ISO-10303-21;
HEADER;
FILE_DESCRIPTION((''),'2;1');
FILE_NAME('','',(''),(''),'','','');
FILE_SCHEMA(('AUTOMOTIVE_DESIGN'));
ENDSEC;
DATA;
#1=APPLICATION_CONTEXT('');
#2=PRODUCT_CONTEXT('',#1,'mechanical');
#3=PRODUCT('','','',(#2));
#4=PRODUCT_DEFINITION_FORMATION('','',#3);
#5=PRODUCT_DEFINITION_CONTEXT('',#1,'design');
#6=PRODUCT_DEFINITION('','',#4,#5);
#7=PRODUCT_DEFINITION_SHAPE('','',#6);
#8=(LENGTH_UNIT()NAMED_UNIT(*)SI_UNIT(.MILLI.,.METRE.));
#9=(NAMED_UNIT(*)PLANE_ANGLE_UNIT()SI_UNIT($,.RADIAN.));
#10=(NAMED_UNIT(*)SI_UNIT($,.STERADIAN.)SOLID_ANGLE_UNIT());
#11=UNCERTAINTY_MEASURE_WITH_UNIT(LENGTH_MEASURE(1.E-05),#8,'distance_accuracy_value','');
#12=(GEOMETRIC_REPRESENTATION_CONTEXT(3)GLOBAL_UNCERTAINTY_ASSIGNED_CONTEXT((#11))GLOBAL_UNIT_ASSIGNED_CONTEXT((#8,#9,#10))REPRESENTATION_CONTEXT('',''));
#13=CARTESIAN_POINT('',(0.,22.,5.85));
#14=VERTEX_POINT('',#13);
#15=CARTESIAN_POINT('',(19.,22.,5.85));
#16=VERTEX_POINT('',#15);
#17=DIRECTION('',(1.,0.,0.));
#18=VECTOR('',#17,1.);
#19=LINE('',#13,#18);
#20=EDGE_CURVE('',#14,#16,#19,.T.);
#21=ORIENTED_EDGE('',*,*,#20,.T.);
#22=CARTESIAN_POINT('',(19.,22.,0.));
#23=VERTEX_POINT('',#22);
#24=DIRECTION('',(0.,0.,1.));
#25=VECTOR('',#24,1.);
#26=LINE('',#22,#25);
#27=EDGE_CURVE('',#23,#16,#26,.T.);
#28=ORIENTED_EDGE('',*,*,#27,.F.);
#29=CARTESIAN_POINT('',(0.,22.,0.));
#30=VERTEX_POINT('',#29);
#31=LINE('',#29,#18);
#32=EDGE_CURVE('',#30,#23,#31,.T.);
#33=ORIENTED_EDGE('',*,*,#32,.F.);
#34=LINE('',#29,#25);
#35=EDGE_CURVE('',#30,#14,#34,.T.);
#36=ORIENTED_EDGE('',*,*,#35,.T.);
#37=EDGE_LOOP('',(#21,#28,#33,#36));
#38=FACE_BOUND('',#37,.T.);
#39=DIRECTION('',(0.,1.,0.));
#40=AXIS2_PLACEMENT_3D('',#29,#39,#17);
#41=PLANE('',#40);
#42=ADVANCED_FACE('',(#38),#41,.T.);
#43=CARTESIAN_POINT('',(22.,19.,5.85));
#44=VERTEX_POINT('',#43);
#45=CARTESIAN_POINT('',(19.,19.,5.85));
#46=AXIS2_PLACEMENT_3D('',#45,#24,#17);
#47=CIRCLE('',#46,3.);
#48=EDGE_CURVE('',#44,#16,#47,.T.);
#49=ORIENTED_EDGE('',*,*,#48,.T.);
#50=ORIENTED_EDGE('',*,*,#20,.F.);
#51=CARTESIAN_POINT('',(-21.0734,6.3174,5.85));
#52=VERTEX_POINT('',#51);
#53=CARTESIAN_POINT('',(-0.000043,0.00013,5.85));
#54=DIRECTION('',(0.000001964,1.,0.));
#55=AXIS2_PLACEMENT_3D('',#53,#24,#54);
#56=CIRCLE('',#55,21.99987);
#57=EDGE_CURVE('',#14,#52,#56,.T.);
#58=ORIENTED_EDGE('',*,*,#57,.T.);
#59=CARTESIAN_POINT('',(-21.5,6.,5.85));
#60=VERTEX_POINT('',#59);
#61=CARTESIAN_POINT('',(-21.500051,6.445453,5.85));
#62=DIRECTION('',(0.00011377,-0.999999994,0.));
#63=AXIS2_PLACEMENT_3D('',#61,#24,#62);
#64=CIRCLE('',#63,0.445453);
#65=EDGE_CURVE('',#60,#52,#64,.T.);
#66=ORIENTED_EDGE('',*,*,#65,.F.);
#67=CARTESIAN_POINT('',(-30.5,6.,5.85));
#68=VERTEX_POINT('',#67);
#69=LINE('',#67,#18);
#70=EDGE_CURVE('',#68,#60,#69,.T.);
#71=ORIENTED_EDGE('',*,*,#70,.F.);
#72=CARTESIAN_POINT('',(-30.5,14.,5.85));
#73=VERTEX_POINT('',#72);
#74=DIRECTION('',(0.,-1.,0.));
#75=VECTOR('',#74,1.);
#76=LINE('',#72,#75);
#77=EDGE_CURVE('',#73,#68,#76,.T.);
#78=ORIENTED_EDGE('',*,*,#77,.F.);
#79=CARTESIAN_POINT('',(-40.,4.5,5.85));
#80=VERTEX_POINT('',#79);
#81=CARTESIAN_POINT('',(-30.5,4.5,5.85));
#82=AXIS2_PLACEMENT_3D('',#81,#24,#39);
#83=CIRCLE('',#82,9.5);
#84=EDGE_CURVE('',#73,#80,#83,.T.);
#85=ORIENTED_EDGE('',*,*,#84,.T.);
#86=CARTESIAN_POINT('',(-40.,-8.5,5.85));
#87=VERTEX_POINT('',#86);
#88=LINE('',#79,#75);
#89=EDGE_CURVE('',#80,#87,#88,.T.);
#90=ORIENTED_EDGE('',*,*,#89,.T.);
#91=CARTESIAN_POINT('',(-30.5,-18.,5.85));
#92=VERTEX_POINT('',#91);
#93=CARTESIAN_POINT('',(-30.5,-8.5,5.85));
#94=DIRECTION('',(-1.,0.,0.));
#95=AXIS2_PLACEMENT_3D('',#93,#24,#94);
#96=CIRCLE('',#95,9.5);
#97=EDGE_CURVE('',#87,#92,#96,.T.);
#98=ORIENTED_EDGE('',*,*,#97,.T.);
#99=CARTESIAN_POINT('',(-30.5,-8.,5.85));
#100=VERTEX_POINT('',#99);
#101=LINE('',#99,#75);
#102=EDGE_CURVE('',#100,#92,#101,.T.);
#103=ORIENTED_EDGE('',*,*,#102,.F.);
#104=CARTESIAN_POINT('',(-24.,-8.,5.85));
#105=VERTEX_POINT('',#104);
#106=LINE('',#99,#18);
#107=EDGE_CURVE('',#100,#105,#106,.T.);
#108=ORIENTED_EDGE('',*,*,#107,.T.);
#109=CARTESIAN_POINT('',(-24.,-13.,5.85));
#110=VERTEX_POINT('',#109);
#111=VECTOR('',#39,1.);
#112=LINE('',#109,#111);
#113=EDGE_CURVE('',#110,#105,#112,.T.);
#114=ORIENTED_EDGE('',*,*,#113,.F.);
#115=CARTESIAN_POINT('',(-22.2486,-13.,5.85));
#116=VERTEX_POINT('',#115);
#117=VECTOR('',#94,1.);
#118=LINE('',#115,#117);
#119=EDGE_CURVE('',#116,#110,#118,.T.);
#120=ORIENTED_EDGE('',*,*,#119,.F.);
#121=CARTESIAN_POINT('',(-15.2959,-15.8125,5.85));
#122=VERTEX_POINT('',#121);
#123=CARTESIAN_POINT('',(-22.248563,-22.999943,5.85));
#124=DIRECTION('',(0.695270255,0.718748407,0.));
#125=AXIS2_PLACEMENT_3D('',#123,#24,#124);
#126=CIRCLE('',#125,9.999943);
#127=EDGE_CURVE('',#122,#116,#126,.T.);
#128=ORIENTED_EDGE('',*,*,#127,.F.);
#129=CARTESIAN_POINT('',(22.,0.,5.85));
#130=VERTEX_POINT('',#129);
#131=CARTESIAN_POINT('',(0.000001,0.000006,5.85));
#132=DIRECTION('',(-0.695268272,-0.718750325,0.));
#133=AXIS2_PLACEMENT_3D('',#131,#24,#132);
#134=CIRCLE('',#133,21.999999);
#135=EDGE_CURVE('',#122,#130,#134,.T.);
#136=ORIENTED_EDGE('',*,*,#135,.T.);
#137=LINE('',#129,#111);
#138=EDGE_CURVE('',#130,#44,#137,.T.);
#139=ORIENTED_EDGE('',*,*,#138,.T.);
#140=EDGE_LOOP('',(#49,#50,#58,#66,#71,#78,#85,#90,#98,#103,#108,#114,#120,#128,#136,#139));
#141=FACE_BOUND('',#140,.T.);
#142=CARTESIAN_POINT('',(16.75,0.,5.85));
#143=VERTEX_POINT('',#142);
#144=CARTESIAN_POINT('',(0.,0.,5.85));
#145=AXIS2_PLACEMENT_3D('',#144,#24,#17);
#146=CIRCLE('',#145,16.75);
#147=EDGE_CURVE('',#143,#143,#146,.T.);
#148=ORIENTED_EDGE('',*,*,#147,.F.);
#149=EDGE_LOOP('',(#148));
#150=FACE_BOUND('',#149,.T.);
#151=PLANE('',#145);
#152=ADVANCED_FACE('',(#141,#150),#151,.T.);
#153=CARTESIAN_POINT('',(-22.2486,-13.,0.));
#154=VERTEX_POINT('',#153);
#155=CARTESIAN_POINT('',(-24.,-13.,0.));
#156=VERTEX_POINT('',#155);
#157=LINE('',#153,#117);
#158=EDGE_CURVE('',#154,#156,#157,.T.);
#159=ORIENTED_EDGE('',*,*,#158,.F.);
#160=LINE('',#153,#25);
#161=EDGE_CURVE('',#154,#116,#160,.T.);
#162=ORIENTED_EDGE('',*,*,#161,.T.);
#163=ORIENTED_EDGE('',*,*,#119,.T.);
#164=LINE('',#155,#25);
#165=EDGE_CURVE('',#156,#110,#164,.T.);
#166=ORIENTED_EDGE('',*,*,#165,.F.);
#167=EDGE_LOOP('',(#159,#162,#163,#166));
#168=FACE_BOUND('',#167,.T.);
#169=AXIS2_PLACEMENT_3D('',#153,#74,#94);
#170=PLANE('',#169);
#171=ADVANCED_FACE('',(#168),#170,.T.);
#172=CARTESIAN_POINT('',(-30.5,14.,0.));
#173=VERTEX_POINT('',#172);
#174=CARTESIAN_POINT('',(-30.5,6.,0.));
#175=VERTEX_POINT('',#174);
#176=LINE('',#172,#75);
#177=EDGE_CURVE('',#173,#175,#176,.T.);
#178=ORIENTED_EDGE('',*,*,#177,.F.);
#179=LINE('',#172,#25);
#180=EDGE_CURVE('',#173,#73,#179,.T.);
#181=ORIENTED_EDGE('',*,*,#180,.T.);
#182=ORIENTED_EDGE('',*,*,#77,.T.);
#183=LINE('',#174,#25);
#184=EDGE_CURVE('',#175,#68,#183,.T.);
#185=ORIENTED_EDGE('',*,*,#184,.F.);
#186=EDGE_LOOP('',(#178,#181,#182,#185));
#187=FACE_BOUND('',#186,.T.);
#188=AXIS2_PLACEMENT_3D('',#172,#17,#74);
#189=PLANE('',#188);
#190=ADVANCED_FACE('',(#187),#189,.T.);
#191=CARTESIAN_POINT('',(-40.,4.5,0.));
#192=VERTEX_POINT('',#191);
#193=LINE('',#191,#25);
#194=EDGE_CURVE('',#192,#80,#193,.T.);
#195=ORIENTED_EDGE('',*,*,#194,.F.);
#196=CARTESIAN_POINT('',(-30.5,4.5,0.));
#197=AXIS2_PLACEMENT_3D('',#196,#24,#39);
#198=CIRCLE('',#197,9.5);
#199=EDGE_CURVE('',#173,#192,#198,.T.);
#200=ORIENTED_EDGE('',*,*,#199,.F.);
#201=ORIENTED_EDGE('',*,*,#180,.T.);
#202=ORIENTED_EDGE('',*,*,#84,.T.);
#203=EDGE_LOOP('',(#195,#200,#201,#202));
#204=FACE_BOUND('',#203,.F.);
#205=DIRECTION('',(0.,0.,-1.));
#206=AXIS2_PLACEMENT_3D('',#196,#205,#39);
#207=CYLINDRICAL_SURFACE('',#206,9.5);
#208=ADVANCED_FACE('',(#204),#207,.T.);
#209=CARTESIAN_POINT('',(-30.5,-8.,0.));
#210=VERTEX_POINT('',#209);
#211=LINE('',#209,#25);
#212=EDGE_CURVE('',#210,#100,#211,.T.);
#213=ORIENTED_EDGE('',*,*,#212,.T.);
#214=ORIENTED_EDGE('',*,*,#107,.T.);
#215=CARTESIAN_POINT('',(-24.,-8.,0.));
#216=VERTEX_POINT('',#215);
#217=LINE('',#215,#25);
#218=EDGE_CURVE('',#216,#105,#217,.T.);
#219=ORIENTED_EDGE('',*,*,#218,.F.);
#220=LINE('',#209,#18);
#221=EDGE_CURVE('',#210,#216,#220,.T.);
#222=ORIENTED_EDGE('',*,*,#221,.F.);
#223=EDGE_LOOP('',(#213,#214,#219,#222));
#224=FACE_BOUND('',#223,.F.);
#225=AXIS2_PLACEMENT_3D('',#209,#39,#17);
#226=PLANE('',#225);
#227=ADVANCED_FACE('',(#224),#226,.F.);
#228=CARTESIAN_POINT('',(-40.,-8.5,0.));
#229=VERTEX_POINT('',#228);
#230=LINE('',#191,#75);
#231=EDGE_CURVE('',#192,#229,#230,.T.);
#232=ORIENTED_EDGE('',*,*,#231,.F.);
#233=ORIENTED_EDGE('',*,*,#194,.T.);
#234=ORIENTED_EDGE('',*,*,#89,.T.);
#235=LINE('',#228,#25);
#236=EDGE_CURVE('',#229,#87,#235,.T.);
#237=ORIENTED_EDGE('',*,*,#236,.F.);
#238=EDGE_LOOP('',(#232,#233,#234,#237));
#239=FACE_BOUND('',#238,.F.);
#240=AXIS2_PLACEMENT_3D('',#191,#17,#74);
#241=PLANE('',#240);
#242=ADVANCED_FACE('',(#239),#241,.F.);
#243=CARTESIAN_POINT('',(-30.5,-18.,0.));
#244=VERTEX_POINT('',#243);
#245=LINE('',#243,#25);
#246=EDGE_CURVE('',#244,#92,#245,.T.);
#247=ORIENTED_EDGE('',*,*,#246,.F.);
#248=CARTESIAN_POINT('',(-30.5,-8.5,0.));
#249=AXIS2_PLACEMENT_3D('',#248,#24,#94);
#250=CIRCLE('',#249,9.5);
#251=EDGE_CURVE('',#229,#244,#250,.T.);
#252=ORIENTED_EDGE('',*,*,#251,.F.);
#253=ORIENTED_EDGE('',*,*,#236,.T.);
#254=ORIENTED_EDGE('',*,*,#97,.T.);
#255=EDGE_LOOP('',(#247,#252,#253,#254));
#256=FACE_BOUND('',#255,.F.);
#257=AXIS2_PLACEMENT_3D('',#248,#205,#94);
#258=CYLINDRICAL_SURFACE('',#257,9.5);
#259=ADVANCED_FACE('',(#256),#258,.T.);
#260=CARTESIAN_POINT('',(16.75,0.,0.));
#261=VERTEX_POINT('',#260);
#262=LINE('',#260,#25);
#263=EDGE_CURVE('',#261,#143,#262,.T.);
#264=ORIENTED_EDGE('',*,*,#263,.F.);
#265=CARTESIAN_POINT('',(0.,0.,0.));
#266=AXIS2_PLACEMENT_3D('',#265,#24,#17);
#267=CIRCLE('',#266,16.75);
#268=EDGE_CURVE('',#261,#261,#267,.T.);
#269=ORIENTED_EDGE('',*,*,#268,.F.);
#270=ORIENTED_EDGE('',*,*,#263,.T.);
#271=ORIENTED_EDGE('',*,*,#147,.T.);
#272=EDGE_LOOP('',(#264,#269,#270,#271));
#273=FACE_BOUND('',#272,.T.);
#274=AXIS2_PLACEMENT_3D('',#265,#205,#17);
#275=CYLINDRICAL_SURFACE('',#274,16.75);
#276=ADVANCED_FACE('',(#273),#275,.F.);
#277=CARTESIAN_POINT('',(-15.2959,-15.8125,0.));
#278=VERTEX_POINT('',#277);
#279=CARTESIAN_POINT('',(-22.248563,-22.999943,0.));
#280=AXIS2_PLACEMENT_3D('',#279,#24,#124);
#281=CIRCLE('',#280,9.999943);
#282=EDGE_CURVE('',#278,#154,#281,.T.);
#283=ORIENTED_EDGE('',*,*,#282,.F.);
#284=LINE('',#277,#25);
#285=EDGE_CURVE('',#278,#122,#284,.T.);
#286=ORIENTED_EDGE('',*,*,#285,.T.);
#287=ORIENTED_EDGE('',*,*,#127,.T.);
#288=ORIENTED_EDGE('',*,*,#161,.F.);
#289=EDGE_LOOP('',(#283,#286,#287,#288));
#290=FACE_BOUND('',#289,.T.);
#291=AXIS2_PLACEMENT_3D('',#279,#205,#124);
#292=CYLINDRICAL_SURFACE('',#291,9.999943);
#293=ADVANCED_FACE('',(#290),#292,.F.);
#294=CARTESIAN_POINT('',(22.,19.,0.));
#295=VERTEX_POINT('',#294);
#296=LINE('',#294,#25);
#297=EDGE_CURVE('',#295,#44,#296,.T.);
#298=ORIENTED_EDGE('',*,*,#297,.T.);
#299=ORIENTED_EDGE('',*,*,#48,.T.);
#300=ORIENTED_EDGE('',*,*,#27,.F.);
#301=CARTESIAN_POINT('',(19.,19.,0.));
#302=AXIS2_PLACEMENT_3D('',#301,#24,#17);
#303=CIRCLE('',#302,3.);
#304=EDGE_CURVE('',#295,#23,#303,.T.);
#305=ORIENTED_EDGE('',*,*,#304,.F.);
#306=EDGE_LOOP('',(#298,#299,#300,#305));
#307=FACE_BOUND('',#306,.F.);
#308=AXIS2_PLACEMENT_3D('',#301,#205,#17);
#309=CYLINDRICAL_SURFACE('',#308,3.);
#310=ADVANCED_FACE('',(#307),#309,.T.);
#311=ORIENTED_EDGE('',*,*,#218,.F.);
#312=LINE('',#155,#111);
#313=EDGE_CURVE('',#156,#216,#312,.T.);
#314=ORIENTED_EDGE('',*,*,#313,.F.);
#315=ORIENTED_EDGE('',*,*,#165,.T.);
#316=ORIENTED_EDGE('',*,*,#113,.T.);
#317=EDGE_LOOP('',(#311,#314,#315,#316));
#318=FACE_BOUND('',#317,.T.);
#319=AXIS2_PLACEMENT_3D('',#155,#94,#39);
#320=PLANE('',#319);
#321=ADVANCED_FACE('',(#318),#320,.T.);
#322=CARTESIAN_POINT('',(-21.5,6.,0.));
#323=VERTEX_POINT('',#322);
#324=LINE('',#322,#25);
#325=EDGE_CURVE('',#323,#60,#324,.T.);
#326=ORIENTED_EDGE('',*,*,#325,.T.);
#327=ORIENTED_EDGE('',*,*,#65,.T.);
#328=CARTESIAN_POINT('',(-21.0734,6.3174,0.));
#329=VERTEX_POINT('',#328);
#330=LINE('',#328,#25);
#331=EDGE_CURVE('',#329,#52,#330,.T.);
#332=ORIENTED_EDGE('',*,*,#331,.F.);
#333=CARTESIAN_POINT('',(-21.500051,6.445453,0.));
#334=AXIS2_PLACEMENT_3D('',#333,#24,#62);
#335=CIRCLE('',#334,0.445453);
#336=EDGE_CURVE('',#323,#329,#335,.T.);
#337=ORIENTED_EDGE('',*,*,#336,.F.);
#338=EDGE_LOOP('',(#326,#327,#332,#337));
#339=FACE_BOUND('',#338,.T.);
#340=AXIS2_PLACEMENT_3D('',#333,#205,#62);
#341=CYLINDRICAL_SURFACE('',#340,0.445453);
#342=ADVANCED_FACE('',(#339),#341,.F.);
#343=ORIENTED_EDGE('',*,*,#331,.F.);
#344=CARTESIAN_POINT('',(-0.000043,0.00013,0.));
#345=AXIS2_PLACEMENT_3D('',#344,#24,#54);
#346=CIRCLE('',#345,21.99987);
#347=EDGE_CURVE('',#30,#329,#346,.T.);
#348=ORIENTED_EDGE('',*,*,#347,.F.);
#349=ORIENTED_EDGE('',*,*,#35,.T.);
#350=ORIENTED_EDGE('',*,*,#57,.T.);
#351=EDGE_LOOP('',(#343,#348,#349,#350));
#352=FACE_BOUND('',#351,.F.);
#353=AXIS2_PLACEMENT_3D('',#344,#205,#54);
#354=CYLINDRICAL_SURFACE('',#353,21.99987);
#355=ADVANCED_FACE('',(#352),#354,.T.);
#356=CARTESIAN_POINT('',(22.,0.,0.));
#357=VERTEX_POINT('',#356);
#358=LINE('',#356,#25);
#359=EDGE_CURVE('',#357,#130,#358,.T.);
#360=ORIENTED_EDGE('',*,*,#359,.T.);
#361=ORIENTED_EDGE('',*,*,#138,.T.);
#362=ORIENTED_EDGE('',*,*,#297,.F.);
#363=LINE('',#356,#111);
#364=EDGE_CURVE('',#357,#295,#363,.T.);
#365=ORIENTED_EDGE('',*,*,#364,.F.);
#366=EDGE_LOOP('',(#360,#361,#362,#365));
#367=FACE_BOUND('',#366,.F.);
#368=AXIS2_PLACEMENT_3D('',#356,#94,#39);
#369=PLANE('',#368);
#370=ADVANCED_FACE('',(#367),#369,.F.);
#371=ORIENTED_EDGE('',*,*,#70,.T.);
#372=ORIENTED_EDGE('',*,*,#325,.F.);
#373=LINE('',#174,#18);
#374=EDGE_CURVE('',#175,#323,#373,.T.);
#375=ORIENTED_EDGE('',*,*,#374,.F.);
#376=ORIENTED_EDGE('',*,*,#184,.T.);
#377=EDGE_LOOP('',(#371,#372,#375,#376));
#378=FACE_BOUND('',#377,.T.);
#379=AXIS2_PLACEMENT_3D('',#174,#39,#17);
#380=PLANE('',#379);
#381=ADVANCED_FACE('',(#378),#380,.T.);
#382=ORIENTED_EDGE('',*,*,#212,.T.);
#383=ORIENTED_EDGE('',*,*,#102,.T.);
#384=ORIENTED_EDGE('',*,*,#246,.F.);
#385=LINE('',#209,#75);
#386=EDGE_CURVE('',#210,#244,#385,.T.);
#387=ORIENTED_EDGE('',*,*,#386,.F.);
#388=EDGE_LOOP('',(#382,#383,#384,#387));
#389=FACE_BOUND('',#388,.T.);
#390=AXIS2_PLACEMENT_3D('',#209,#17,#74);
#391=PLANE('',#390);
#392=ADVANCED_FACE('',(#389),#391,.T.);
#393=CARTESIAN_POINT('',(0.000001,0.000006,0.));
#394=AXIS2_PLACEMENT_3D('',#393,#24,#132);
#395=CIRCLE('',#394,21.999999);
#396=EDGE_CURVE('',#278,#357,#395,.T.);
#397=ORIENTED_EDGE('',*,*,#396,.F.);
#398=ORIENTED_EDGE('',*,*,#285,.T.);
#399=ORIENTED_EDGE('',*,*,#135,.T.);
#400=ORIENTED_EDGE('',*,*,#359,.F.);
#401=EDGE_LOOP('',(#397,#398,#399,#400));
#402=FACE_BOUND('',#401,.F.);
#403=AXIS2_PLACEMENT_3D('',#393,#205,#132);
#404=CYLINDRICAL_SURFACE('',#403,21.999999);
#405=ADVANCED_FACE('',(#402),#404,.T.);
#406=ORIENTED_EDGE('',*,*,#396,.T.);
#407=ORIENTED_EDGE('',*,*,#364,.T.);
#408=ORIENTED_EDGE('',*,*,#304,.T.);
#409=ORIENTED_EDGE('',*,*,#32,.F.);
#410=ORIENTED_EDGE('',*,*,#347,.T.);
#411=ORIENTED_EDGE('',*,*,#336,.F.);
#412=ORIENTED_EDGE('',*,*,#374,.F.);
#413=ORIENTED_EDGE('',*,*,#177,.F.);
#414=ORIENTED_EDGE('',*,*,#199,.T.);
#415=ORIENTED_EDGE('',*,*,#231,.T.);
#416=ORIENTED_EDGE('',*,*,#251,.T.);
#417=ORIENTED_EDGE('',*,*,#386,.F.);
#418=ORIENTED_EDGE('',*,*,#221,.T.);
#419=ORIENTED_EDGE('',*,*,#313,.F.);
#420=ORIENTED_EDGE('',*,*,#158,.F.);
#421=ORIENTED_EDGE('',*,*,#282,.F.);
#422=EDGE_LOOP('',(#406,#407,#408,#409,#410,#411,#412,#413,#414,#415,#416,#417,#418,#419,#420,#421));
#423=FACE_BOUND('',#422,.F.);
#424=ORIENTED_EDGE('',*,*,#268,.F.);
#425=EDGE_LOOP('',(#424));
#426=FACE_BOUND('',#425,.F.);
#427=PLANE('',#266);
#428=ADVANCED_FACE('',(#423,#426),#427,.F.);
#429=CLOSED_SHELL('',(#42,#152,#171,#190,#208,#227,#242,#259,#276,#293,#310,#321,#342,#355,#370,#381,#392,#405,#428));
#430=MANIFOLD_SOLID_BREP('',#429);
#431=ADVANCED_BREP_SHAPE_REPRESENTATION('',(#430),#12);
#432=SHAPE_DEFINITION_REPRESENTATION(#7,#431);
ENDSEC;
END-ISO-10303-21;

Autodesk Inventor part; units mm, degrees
ref_plane "YZ Plane" through (0, 0, 0) normal (1, 0, 0) x (0, 1, 0)
ref_plane "XZ Plane" through (0, 0, 0) normal (0, 1, 0) x (-1, 0, 0)
ref_plane "XY Plane" through (0, 0, 0) normal (0, 0, 1) x (1, 0, 0)
sketch "Sketch1" plane through (0, 0, 0) normal (0, 0, 1) x (1, 0, 0)
  circle A0 centre (0, 0) radius 16.75
  line L0 (0, 0) -> (-16.1552, 0) construction
  line L1 (-15.7399, -5.7288) -> (0, 0) construction
  line L2 (-14.0236, -9.1597) -> (0, 0) construction
  line L3 (-40, 4.5) -> (-40, -8.5)
  line L4 (-30.5, 14) -> (-30.5, 6)
  line L5 (-30.5, 6) -> (-21.5, 6)
  line L6 (-30.5, -8) -> (-24, -8)
  line L7 (-30.5, -8) -> (-30.5, -18)
  arc A1 (-15.2959, -15.8125) -> (22, 0) centre (0, 0) ccw
  arc A2 (0, 22) -> (-21.0734, 6.3174) centre (0, 0) ccw
  line L8 (-22.2486, -13) -> (-24, -13)
  line L9 (-24, -13) -> (-24, -8)
  line L10 (-40, -2) -> (-34.8901, -2) construction
  arc A3 (-15.2959, -15.8125) -> (-22.2486, -13) centre (-22.2486, -23) ccw
  line L11 (22, 0) -> (22, 19)
  line L12 (0, 22) -> (19, 22)
  arc A4 (22, 19) -> (19, 22) centre (19, 19) ccw
  arc A5 (-40, -8.5) -> (-30.5, -18) centre (-30.5, -8.5) ccw
  arc A6 (-30.5, 14) -> (-40, 4.5) centre (-30.5, 4.5) ccw
  arc A7 (-21.5, 6) -> (-21.0734, 6.3174) centre (-21.5, 6.4453) ccw
  point P0 (-22.2486, -13)
  point P1 (-22, 0)
  dimension "d12" = 16.75
  dimension "d19" = 160
  dimension "d30" = 9
  dimension "d40" = 40
  dimension "d44" = 22
  dimension "d59" = 6.5
  dimension "d61" = 10
  dimension "d68" = 14
  dimension "d69" = 5
  dimension "d71" = 8
  dimension "d73" = 3
  dimension "d78" = 6
  dimension "d79" = 2
  dimension "d80" = 24
extrude "Extrusion1" add sketch "Sketch1" along normal blind 5.85
properties part number "fixed_holder"
